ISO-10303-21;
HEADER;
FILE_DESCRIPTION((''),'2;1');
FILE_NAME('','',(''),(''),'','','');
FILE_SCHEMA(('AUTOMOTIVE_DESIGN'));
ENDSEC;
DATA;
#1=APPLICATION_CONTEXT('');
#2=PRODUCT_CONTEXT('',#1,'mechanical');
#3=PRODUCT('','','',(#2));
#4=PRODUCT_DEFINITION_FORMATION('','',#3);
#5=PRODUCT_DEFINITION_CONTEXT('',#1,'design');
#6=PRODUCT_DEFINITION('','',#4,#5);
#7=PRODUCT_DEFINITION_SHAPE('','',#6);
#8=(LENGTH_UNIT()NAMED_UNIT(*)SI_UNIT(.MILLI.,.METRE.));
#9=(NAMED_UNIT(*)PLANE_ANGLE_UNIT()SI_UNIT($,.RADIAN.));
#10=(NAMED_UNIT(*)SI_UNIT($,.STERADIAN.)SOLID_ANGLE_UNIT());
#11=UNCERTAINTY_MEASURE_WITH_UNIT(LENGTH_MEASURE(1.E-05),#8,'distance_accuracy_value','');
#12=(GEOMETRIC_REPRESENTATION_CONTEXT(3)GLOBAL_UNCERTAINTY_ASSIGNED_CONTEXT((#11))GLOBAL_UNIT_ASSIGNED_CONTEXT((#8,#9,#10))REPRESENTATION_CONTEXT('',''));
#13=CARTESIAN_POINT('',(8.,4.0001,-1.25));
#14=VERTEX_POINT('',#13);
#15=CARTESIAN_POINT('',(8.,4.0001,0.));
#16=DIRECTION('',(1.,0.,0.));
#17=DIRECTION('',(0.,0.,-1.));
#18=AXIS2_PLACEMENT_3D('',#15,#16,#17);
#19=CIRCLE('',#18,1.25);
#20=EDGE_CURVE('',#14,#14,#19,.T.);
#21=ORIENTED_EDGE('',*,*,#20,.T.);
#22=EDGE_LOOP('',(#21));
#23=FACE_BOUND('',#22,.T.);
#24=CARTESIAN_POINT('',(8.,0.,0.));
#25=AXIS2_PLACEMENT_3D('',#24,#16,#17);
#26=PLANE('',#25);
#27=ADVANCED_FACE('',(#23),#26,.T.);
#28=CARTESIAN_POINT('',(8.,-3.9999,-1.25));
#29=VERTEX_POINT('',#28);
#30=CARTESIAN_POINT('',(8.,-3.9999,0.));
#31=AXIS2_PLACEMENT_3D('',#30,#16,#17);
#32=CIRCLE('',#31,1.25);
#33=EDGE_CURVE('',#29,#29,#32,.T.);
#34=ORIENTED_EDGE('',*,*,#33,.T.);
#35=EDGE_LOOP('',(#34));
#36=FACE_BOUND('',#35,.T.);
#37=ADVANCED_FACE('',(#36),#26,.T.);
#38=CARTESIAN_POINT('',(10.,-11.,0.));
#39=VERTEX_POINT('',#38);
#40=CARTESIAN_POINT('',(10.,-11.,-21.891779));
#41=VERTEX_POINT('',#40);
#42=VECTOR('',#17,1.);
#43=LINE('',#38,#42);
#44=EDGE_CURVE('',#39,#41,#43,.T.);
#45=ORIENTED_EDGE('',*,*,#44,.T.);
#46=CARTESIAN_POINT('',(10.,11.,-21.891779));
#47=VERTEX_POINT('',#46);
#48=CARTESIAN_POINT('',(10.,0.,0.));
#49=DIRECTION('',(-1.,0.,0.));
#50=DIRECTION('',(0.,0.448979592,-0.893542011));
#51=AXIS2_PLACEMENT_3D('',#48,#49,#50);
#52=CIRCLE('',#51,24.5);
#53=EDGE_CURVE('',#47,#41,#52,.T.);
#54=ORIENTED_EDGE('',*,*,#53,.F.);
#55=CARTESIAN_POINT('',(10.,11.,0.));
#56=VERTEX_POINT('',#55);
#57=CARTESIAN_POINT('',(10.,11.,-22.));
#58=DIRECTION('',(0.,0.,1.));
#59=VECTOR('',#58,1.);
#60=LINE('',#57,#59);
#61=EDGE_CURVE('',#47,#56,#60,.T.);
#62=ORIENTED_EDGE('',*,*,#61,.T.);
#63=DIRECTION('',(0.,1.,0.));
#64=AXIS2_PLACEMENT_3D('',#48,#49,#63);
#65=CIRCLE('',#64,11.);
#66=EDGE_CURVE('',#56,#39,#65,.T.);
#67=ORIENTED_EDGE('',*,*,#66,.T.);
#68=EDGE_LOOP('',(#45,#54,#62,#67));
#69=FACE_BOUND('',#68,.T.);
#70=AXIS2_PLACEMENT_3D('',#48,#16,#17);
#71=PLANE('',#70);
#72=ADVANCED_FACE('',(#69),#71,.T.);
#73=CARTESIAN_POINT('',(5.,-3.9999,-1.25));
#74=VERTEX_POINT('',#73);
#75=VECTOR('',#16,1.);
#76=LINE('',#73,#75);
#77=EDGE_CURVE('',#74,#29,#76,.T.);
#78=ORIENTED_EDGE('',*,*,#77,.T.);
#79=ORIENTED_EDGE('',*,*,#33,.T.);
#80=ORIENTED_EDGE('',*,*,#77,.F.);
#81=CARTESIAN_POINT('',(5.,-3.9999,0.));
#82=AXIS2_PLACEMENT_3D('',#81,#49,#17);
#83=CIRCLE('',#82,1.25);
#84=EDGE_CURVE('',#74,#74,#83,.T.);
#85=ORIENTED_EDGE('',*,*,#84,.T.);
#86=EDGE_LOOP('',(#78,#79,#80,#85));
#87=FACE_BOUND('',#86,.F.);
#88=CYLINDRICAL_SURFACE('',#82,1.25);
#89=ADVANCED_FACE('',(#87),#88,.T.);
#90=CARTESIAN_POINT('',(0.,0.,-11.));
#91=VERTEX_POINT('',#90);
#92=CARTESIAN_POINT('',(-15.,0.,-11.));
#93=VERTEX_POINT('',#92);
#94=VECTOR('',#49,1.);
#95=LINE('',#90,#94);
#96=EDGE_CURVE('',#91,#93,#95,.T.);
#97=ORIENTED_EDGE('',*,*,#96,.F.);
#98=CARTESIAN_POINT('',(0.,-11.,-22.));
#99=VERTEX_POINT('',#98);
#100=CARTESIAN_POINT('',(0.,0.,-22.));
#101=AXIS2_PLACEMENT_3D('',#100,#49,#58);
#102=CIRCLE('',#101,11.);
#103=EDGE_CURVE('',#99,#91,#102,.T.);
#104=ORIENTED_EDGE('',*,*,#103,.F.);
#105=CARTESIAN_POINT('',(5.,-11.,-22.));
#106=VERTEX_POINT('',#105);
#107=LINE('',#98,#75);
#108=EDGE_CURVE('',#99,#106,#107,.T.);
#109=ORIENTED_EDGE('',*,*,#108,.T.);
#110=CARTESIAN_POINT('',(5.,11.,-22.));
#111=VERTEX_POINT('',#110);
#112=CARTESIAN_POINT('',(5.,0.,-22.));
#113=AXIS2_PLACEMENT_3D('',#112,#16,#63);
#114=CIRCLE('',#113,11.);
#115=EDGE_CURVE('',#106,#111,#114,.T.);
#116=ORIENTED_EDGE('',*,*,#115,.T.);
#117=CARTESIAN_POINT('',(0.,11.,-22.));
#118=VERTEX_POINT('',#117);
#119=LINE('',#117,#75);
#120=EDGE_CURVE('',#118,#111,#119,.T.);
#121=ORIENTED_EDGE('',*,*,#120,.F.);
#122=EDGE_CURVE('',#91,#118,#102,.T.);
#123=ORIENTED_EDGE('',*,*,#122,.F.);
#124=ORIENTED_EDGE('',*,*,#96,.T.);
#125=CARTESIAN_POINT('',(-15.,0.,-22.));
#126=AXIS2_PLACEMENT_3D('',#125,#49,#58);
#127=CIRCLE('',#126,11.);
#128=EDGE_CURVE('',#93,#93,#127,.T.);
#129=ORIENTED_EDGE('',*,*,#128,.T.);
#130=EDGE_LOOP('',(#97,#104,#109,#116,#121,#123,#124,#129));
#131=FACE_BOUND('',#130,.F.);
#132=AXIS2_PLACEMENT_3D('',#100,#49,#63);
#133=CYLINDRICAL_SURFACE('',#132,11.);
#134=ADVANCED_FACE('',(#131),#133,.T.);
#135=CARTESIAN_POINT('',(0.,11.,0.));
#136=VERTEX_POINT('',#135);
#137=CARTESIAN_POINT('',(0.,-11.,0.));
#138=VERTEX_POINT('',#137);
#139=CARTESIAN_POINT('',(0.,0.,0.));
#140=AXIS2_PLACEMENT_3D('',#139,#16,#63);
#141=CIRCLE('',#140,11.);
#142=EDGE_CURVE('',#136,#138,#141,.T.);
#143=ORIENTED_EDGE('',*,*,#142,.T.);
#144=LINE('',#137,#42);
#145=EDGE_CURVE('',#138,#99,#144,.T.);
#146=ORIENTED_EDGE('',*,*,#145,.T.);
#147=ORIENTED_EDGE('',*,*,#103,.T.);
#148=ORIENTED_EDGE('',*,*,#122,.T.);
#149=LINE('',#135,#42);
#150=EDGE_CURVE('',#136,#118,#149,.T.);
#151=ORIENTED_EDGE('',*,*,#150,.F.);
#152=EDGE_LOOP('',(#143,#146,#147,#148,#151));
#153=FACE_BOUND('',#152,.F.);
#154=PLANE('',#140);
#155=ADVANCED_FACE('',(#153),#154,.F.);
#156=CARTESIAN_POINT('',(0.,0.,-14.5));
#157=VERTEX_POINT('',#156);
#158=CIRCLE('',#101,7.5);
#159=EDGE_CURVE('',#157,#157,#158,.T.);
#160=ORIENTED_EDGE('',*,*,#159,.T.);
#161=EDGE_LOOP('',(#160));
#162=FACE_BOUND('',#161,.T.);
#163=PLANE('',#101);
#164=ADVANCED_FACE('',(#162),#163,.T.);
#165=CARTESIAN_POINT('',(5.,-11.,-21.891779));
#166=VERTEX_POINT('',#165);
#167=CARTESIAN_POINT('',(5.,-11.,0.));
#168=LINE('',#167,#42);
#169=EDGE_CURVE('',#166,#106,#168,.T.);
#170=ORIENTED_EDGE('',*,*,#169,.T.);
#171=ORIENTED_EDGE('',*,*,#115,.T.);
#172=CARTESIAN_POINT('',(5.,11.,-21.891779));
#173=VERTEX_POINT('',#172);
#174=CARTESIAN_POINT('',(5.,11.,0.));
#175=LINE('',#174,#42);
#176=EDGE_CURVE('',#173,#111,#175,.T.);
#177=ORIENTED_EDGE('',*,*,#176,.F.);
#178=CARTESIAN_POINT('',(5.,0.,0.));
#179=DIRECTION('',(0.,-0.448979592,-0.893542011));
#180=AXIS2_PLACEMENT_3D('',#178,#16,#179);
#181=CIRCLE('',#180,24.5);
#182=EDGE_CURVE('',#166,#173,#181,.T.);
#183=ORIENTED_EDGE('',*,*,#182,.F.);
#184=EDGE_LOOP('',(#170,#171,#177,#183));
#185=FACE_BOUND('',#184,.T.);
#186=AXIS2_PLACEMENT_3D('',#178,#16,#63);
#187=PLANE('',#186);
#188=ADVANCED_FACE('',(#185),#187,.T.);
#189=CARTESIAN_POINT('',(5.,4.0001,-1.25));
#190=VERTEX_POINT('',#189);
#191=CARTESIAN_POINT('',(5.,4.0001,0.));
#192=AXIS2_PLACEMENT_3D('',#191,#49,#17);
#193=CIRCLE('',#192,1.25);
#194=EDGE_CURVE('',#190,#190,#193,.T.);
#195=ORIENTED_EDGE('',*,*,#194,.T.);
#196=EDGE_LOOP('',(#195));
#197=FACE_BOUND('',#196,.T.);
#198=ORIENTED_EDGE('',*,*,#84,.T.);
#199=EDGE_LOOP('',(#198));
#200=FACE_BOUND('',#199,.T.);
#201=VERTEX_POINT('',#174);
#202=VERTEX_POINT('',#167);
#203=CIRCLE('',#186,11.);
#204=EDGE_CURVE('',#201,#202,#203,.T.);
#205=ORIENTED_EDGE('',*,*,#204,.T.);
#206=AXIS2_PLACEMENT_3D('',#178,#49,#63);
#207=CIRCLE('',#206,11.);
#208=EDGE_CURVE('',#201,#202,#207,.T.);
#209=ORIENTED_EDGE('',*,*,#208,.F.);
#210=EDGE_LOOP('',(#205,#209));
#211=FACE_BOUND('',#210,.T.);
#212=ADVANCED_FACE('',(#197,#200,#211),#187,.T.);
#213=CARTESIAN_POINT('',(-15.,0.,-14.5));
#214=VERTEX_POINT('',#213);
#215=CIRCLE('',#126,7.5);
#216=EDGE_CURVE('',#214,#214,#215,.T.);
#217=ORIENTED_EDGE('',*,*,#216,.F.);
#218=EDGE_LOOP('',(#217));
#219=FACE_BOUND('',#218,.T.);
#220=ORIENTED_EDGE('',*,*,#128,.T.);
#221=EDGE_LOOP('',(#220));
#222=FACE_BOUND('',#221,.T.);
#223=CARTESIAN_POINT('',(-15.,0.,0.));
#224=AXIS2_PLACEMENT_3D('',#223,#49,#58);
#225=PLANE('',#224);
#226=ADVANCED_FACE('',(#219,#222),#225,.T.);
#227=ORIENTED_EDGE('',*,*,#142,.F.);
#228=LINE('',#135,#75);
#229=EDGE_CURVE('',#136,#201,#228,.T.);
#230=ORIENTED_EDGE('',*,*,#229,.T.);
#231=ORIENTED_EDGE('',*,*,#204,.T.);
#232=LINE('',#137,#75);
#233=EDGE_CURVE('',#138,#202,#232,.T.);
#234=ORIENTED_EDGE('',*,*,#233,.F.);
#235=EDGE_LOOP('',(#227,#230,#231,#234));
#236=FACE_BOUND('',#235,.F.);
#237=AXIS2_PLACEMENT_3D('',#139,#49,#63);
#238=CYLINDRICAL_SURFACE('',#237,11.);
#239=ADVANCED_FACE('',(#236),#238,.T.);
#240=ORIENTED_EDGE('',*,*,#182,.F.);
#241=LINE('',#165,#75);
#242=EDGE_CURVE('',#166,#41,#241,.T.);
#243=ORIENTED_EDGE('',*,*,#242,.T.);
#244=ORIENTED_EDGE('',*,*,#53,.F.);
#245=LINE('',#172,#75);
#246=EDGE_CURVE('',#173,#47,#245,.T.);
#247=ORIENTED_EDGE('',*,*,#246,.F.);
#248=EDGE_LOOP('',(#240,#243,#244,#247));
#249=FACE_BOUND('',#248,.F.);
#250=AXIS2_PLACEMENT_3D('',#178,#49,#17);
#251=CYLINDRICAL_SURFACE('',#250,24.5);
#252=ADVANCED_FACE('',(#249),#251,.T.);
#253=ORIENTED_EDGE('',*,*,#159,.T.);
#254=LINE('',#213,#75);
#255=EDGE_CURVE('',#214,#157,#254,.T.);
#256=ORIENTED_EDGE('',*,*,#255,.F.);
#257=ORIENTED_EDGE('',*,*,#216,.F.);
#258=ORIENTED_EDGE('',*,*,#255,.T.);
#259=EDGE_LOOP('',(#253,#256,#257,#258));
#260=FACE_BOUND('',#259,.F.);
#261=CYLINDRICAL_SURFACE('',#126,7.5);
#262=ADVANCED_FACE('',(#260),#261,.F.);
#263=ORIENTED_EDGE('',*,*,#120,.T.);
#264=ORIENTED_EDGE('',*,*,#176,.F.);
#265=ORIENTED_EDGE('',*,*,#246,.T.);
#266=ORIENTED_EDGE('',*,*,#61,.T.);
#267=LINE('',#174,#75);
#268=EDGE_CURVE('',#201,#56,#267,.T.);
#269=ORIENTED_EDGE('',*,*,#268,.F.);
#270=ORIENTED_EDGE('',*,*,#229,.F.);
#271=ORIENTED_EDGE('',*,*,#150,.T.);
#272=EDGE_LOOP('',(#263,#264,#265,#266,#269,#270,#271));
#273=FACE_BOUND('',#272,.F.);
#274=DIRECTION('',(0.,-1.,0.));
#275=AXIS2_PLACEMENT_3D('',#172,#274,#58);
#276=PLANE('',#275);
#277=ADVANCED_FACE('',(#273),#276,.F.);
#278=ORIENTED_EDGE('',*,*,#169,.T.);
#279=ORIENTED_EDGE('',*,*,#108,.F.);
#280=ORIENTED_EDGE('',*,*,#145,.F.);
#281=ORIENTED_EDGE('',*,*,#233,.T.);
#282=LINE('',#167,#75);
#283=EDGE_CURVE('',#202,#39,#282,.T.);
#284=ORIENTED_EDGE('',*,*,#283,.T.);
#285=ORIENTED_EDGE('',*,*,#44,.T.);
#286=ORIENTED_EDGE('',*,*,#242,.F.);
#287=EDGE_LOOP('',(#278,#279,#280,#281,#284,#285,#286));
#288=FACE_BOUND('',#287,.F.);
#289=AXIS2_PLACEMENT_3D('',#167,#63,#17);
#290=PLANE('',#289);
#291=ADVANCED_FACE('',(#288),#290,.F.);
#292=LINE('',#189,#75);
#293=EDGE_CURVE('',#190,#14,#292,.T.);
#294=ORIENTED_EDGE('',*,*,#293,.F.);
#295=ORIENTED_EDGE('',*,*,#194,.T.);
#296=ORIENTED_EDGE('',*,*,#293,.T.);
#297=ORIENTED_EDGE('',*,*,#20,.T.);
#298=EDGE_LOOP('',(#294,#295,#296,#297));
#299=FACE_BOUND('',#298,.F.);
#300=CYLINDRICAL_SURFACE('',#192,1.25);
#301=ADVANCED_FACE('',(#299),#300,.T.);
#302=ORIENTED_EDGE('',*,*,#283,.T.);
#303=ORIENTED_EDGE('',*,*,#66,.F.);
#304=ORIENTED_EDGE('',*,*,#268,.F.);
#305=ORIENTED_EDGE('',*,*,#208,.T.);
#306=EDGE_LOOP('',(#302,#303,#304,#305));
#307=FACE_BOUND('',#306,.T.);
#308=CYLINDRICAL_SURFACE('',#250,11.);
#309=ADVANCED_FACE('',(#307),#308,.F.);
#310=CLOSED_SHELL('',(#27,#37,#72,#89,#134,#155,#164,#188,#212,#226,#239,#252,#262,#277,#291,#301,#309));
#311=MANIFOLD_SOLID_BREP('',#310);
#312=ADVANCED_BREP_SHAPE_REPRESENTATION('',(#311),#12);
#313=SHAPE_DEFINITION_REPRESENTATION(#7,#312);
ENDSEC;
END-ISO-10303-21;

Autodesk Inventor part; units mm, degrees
ref_plane "YZ Plane" through (0, 0, 0) normal (1, 0, 0) x (0, 1, 0)
ref_plane "XZ Plane" through (0, 0, 0) normal (0, 1, 0) x (-1, 0, 0)
ref_plane "XY Plane" through (0, 0, 0) normal (0, 0, 1) x (1, 0, 0)
sketch "Sketch1" plane through (0, 0, 0) normal (1, 0, 0) x (0, 1, 0)
  circle A0 centre (4.0001, 0) radius 1.25
  circle A1 centre (-3.9999, 0) radius 1.25
  circle A2 centre (0, 0) radius 11
  line L0 (11, 0) -> (11, -22)
  line L1 (11, 0) -> (33, 0) construction
  line L2 (-11, 0) -> (-11, -22)
  line L3 (-11, 0) -> (11, 0) construction
  circle A3 centre (0, -22) radius 11
  circle A4 centre (0, -26.0001) radius 1.25
  circle A5 centre (0, -18.0001) radius 1.25
  point P0 (1.5875, 1.5875)
  dimension "d0" = 22
  dimension "d1" = 90
  dimension "d2" = 22
  dimension "d3" = 90
extrude "Extrusion1" add sketch "Sketch1" along normal blind 5
sketch "Sketch2" plane through (5, 0, 0) normal (1, 0, 0) x (0, 0, -1)
  arc A0 (0, 11) -> (0, -11) centre (0, 0) ccw projected
  line L0 (0, -11) -> (22, -11) projected
  arc A1 (22, -11) -> (22, 11) centre (22, 0) ccw projected
  line L1 (22, 11) -> (0, 11) projected
  circle A2 centre (18.0001, 0) radius 1.25 projected
  circle A3 centre (26.0001, 0) radius 1.25 projected
  circle A4 centre (0, -3.9999) radius 1.25 projected
  circle A5 centre (0, 4.0001) radius 1.25 projected
extrude "Extrusion2" add sketch "Sketch2" along normal blind 3 and the other way blind 5 contours A4 | A5
sketch "Sketch3" plane through (0, 0, 0) normal (-1, 0, 0) x (0, 0, 1)
  arc A0 (0, -11) -> (0, 11) centre (0, 0) ccw projected
  line L0 (0, -11) -> (-22, -11) projected
  arc A1 (-22, 11) -> (-22, -11) centre (-22, 0) ccw projected
  line L1 (-22, 11) -> (0, 11) projected
  circle A2 centre (-18.0001, 0) radius 1.25 projected
  circle A3 centre (-26.0001, 0) radius 1.25 projected
  circle A4 centre (0, -3.9999) radius 1.25 projected
  circle A5 centre (0, 4.0001) radius 1.25 projected
extrude "Extrusion3" add sketch "Sketch3" against normal blind 5 contours A2 | A3
sketch "Sketch4" plane through (0, 0, 0) normal (-1, 0, 0) x (0, 0, 1)
  line L0 (0, 0) -> (-22, 0)
  line L1 (0, 0) -> (22, 0) construction
  circle A0 centre (-22, 0) radius 11
  circle A1 centre (-22, 0) radius 9.5
  dimension "d12" = 22
  dimension "d13" = 180
  dimension "d14" = 22
  dimension "d15" = 19
extrude "Extrusion4" add sketch "Sketch4" along normal blind 15 contours A1 | A0
sketch "Sketch5" plane through (5, 0, 0) normal (1, 0, 0) x (0, 0, -1)
  circle A0 centre (0, 0) radius 24.5 projected
  circle A1 centre (-20, 0) radius 3.5 projected
  circle A2 centre (-14.1421, 14.1421) radius 2.675 projected
  circle A3 centre (-14.1421, -14.1421) radius 2.675 projected
  circle A4 centre (14.1421, -14.1421) radius 2.675 projected
  circle A5 centre (14.1421, 14.1421) radius 2.675 projected
  circle A6 centre (0, 0) radius 11 projected
  line L0 (0, -11) -> (22, -11) projected
  line L1 (22, 11) -> (0, 11) projected
  point P0 (0, 0)
  point P1 (21.8918, 11)
  point P2 (21.8918, -11)
extrude "Extrusion5" add sketch "Sketch5" along normal blind 5 contours A0 L0 A6 L1 picked at (19.9018, -1.2624)
sketch "Sketch6" plane through (-15, 0, -22) normal (-1, 0, 0) x (0, 0, 1)
  circle A0 centre (0, 0) radius 7.5
  point P0 (22, 0)
  dimension "d20" = 15
extrude "Extrusion6" cut sketch "Sketch6" against normal blind 15
properties part number "Herramienta Marcador Conector"
